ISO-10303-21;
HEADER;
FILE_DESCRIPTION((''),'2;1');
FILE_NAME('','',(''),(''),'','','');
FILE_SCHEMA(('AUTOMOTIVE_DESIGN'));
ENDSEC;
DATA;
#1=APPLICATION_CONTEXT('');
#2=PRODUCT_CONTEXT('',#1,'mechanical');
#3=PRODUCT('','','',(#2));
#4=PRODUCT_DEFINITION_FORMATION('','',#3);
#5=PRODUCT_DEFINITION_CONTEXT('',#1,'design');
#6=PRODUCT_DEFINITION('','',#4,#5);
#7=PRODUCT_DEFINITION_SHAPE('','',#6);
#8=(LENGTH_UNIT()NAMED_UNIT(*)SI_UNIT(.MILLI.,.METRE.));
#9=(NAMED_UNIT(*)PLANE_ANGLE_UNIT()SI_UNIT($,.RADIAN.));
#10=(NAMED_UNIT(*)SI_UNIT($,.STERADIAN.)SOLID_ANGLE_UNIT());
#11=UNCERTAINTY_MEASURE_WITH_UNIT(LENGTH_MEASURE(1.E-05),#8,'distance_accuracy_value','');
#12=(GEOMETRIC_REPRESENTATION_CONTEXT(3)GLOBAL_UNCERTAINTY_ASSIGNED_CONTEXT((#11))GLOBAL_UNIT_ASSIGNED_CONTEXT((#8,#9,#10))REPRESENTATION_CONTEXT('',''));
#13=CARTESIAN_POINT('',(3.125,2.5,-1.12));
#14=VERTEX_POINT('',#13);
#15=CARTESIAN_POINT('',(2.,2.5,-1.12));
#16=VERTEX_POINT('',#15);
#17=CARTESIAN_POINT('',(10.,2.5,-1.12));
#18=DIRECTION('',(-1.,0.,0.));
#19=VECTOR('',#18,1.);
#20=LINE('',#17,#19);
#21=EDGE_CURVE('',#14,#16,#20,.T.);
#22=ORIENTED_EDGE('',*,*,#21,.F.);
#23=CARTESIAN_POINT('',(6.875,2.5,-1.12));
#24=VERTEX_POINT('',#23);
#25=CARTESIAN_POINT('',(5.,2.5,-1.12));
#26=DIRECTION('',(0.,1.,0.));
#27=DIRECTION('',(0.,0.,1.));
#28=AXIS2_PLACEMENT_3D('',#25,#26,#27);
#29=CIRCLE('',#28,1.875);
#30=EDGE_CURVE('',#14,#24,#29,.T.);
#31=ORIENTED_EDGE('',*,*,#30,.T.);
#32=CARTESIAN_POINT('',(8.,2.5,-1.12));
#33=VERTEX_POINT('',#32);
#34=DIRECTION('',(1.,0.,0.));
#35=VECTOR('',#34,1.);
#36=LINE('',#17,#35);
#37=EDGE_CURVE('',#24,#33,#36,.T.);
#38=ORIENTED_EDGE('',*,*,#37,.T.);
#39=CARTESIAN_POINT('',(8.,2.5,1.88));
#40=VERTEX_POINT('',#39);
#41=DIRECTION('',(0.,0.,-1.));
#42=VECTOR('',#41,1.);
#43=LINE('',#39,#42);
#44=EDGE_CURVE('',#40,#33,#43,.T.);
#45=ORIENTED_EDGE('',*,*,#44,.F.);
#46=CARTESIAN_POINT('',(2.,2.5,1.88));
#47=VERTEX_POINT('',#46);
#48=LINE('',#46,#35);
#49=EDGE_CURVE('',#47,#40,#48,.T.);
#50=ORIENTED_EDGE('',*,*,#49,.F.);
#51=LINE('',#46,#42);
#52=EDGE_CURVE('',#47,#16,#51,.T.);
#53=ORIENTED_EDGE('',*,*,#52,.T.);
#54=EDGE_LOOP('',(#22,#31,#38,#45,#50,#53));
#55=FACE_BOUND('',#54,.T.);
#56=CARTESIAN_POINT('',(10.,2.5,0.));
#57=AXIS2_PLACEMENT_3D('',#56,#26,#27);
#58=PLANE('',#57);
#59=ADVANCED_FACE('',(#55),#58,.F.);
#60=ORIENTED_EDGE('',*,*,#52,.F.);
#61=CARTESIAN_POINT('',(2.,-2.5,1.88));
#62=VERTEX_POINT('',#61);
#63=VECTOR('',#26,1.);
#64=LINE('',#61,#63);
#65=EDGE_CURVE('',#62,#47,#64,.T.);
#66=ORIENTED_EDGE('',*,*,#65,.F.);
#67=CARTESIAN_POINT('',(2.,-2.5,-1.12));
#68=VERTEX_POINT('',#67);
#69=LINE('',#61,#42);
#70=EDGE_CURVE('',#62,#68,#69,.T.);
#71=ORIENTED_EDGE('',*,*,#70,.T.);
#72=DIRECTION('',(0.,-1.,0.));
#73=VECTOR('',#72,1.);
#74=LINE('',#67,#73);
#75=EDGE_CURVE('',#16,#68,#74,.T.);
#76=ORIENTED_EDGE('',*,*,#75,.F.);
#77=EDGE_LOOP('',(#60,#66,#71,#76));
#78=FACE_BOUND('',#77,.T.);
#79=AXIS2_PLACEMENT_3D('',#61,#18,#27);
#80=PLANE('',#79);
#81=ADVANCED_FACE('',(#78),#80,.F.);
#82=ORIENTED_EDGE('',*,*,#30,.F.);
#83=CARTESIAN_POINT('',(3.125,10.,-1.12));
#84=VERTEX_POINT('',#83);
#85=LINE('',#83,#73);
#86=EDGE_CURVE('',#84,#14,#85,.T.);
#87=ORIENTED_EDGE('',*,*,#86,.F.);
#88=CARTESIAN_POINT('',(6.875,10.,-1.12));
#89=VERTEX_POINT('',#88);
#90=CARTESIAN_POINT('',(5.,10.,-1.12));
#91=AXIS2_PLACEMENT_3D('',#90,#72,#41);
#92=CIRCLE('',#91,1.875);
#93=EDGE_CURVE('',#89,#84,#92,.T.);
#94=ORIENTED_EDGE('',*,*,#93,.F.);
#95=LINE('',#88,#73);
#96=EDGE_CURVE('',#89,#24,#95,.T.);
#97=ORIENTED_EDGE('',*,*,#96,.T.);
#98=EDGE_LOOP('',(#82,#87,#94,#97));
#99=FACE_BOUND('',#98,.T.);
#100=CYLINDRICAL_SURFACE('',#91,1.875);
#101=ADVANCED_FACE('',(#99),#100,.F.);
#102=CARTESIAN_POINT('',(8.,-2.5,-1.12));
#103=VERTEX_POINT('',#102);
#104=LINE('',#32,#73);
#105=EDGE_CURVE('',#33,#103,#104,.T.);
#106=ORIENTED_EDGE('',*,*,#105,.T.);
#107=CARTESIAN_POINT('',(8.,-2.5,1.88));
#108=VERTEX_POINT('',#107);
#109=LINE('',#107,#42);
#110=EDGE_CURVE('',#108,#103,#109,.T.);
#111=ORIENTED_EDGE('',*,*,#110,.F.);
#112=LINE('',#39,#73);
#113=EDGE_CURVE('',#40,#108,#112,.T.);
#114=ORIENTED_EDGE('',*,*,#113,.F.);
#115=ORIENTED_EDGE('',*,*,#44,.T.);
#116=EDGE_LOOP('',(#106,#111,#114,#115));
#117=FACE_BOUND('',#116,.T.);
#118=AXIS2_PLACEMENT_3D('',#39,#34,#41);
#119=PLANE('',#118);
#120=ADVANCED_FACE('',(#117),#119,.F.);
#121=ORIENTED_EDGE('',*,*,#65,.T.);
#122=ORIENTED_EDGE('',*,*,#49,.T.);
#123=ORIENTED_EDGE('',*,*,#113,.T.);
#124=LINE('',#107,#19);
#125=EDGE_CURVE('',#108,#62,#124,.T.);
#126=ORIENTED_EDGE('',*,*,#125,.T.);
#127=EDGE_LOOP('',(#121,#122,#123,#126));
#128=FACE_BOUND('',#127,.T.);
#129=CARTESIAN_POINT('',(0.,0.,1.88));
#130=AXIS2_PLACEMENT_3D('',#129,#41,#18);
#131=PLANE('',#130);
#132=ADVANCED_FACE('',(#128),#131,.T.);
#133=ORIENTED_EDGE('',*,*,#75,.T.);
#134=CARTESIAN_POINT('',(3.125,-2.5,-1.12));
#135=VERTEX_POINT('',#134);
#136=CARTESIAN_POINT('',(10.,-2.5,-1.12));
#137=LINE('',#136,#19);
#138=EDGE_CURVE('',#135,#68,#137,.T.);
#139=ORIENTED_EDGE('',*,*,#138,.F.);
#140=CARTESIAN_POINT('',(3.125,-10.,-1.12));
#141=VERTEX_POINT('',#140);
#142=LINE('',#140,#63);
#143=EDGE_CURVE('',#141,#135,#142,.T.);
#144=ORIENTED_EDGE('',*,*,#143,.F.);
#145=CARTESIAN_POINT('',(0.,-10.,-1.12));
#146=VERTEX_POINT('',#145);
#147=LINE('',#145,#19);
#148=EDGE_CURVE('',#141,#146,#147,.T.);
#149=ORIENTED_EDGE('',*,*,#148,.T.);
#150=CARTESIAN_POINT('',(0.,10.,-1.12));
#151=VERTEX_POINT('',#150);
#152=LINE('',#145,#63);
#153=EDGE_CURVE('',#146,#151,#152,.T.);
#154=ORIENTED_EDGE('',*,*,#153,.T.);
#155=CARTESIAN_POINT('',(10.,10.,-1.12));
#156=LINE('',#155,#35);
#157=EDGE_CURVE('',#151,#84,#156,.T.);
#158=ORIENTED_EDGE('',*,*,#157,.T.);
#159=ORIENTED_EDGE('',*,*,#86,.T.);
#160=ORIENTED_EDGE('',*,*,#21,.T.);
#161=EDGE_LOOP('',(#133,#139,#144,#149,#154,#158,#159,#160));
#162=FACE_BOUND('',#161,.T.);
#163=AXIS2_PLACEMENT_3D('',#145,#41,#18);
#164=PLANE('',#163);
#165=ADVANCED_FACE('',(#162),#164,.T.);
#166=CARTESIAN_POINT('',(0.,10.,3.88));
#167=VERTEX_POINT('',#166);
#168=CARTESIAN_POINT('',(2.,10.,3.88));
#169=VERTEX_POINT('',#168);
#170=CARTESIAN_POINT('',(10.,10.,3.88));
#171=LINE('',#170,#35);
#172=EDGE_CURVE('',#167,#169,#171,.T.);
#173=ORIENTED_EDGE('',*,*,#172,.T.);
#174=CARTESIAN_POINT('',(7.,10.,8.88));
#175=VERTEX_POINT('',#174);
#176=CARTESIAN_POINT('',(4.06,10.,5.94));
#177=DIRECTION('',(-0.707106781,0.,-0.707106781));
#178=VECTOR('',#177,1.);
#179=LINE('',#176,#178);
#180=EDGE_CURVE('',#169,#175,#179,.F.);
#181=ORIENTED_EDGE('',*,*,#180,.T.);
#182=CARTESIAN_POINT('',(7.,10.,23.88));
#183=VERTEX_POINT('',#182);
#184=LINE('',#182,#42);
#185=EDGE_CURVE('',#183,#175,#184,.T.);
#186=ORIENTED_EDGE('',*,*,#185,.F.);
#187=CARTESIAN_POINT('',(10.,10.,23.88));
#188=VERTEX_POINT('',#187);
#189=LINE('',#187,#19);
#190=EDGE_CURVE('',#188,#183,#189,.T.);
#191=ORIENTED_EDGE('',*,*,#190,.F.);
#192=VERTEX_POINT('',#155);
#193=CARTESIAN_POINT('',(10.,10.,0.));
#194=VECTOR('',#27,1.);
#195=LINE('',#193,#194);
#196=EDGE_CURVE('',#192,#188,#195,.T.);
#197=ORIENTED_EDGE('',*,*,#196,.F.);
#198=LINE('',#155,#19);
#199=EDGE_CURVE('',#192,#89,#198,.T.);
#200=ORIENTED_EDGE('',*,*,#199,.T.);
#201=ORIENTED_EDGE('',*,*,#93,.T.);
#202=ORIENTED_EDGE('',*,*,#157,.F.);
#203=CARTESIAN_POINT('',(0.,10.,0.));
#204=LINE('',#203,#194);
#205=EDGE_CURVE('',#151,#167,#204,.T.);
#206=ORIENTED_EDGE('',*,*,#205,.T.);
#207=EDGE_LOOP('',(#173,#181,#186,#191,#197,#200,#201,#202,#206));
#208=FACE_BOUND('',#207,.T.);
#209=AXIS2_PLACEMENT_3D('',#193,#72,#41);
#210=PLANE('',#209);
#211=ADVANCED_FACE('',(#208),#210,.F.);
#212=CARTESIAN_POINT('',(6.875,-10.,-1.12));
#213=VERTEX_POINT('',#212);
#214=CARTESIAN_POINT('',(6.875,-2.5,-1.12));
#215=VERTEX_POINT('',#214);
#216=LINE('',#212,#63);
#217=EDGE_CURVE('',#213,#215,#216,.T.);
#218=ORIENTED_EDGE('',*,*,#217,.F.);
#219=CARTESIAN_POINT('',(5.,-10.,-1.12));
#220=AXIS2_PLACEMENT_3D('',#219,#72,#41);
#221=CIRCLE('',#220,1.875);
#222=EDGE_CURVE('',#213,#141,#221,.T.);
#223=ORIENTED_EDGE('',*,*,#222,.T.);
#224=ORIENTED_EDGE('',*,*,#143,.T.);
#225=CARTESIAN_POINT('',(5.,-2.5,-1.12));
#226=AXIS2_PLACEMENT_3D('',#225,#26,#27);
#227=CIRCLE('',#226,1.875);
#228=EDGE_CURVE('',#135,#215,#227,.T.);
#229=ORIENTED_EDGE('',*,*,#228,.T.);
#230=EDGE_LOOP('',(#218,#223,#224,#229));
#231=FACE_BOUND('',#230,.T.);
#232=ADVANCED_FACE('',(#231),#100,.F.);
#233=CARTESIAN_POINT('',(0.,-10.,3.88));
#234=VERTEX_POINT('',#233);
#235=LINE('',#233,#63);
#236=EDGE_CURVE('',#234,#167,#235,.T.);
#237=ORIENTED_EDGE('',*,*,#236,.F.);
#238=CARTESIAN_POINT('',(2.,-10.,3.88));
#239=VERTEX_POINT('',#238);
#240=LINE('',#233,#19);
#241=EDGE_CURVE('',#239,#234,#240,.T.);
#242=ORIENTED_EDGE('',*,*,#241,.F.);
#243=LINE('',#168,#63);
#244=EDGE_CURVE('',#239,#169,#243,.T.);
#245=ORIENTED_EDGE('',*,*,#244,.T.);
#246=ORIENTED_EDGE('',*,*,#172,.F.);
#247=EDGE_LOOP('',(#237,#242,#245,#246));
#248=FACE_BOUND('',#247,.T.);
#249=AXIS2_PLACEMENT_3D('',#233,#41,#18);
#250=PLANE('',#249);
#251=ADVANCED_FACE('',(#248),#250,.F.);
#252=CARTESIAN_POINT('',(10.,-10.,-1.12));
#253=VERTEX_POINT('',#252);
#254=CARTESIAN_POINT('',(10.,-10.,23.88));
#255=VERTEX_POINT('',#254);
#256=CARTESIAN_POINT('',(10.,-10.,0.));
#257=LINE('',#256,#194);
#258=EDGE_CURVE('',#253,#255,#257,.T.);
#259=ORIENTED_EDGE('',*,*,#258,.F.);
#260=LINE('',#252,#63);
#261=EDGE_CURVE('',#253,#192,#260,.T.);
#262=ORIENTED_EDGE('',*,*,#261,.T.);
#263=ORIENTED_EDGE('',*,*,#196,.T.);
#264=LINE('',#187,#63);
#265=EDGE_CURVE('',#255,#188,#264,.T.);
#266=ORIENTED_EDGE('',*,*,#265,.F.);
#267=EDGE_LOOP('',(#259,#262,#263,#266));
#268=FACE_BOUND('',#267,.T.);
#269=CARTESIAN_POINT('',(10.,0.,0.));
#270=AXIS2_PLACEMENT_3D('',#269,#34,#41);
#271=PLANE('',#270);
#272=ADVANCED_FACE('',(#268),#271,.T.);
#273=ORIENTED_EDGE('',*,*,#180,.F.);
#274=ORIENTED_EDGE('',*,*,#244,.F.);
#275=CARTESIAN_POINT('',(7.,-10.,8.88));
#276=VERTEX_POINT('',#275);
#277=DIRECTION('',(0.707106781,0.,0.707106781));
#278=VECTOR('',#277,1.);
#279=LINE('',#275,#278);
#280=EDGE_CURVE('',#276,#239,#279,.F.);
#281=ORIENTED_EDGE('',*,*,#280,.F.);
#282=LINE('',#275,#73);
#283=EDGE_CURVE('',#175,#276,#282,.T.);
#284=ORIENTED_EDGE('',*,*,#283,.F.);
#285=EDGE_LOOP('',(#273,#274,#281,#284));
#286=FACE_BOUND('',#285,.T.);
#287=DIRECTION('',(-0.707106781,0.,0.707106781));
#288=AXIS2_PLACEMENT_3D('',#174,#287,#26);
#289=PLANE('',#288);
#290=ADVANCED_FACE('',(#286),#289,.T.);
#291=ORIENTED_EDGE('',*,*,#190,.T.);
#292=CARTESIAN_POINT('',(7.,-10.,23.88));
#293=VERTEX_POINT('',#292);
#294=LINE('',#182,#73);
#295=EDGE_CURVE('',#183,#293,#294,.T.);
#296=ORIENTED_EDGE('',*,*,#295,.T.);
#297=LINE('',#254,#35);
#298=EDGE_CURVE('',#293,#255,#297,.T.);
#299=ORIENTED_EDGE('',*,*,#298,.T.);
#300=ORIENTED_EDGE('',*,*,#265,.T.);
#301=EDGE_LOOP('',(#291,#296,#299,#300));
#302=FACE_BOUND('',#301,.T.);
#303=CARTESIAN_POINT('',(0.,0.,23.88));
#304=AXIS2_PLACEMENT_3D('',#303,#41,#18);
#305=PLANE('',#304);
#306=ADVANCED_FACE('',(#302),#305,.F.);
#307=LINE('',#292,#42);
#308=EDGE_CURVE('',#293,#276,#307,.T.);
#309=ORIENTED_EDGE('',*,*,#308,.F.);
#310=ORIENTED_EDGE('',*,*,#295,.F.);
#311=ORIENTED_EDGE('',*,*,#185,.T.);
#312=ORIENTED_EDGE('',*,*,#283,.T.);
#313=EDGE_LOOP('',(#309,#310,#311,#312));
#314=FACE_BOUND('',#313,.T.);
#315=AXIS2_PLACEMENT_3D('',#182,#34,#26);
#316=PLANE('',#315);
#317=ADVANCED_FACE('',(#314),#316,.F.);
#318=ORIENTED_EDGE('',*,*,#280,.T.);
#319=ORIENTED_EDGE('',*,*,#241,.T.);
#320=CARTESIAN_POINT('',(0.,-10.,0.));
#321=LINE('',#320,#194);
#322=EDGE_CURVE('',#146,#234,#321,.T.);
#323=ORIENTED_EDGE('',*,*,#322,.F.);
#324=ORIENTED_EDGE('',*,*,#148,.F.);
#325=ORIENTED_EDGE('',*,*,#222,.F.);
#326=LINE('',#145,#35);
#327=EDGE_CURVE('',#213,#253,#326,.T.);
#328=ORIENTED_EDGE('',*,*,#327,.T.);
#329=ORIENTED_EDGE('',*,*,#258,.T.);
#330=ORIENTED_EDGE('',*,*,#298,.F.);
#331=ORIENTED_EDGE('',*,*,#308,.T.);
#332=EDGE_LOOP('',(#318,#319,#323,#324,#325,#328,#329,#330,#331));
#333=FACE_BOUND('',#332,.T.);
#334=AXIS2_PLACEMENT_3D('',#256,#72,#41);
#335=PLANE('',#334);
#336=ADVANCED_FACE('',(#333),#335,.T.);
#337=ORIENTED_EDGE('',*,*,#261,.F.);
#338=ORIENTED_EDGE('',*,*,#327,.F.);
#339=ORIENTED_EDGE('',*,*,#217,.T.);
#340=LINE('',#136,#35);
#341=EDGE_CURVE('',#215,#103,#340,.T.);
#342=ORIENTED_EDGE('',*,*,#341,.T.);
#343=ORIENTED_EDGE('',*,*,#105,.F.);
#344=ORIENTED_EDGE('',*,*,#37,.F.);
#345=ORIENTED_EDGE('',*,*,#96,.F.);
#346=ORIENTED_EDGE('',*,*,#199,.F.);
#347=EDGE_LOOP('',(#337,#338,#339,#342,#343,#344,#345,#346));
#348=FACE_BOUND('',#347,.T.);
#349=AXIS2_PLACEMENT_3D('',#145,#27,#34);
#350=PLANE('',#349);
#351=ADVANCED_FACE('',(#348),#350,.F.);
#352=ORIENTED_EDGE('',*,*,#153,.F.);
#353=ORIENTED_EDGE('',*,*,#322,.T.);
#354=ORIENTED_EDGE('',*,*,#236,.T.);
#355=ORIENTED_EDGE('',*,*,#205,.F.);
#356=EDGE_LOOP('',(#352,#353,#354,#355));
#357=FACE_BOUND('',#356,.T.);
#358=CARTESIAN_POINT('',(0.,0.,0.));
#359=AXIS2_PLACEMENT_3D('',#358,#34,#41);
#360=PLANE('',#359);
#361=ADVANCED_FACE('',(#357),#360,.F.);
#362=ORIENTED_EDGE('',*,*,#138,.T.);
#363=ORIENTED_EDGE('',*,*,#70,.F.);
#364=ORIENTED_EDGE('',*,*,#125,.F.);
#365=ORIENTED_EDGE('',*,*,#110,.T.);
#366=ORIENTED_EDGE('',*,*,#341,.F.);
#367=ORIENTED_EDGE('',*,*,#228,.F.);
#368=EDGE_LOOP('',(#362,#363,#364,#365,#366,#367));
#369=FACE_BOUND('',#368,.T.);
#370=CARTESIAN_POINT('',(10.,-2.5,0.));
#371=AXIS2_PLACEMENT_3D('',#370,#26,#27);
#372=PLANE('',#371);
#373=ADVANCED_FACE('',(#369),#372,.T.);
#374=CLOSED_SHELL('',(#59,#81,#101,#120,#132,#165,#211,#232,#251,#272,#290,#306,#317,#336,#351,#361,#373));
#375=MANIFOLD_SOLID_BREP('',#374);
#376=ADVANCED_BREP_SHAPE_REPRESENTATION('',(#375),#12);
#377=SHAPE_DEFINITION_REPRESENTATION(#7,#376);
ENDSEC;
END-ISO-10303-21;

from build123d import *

# Parameters (mm, degrees)
BOSS_EXTRUDE1_DEPTH     = 10
CUT_EXTRUDE2_DEPTH      = 4.88
CUT_EXTRUDE4_DEPTH      = 18.67766953
CUT_EXTRUDE4_DEPTH_BACK = 18.67766953
SKETCH6_3_R             = 1.875
CUT_EXTRUDE5_DEPTH      = 24.58495283
CUT_EXTRUDE5_DEPTH_BACK = 24.58495283
SKETCH7_OUTSIDE_W       = 17.386
SKETCH7_OUTSIDE_H       = 22.386
SKETCH8_W               = 3
SKETCH8_H               = 20
BOSS_EXTRUDE2_DEPTH     = 20
CHAMFER1_SIZE           = 5


with BuildPart() as part:
    # Sketch2 → Boss-Extrude1 (new body)
    with BuildSketch(Plane.YZ):
        Polygon((-10, -7.5), (-4, -7.5), (-5, -5.5), (-2.5, -5.5), (-2.5, -3), (2.5, -3), (2.5, -5.5), (5, -5.5), (4, -7.5), (10, -7.5), (10, 7.5), (-10, 7.5), align=None)
    extrude(amount=BOSS_EXTRUDE1_DEPTH)

    # Sketch4 → Cut-Extrude2 (cut)
    with BuildSketch(Plane(origin=(0, 0, -3), x_dir=(1, 0, 0), z_dir=(0, 0, -1))):
        Polygon((5, 2.5), (2, 2.5), (2, -2.5), (8, -2.5), (8, 2.5), align=None)
    extrude(amount=-CUT_EXTRUDE2_DEPTH, mode=Mode.SUBTRACT)

    # Sketch6<3> → Cut-Extrude4 (cut, two sides: drawn at the far end of the back side and taken through both)
    with BuildSketch(Plane.XZ.offset(-2.5).offset(-CUT_EXTRUDE4_DEPTH_BACK)):
        with Locations((5, -1.12)):
            Circle(SKETCH6_3_R)
    extrude(amount=CUT_EXTRUDE4_DEPTH + CUT_EXTRUDE4_DEPTH_BACK, mode=Mode.SUBTRACT)

    # Sketch7 outside → Cut-Extrude5 (cut, two sides: drawn at the far end of the back side and taken through both)
    with BuildSketch(Plane(origin=(0, 10, 0), x_dir=(-1, 0, 0), z_dir=(0, 1, 0)).offset(-CUT_EXTRUDE5_DEPTH_BACK)):
        with Locations((-5, 0)):
            Rectangle(SKETCH7_OUTSIDE_W, SKETCH7_OUTSIDE_H)
        with BuildLine():
            Line((-10, -1.12), (-6.875, -1.12))
            ThreePointArc((-6.875, -1.12), (-5, 0.755), (-3.125, -1.12))
            Line((-3.125, -1.12), (0, -1.12))
            Line((0, -1.12), (0, 3.88))
            Line((0, 3.88), (-10, 3.88))
            Line((-10, 3.88), (-10, -1.12))
        make_face(mode=Mode.SUBTRACT)
    extrude(amount=CUT_EXTRUDE5_DEPTH + CUT_EXTRUDE5_DEPTH_BACK, mode=Mode.SUBTRACT)

    # Sketch8 → Boss-Extrude2 (add)
    with BuildSketch(Plane.XY.offset(3.88)):
        with Locations((8.5, 0)):
            Rectangle(SKETCH8_W, SKETCH8_H)
    extrude(amount=BOSS_EXTRUDE2_DEPTH)

    # Chamfer1
    chamfer1_edges = [part.edges().sort_by_distance(p)[0] for p in [
        (7, 0, 3.88),
    ]]
    chamfer(chamfer1_edges, length=CHAMFER1_SIZE)


solid = part.part
